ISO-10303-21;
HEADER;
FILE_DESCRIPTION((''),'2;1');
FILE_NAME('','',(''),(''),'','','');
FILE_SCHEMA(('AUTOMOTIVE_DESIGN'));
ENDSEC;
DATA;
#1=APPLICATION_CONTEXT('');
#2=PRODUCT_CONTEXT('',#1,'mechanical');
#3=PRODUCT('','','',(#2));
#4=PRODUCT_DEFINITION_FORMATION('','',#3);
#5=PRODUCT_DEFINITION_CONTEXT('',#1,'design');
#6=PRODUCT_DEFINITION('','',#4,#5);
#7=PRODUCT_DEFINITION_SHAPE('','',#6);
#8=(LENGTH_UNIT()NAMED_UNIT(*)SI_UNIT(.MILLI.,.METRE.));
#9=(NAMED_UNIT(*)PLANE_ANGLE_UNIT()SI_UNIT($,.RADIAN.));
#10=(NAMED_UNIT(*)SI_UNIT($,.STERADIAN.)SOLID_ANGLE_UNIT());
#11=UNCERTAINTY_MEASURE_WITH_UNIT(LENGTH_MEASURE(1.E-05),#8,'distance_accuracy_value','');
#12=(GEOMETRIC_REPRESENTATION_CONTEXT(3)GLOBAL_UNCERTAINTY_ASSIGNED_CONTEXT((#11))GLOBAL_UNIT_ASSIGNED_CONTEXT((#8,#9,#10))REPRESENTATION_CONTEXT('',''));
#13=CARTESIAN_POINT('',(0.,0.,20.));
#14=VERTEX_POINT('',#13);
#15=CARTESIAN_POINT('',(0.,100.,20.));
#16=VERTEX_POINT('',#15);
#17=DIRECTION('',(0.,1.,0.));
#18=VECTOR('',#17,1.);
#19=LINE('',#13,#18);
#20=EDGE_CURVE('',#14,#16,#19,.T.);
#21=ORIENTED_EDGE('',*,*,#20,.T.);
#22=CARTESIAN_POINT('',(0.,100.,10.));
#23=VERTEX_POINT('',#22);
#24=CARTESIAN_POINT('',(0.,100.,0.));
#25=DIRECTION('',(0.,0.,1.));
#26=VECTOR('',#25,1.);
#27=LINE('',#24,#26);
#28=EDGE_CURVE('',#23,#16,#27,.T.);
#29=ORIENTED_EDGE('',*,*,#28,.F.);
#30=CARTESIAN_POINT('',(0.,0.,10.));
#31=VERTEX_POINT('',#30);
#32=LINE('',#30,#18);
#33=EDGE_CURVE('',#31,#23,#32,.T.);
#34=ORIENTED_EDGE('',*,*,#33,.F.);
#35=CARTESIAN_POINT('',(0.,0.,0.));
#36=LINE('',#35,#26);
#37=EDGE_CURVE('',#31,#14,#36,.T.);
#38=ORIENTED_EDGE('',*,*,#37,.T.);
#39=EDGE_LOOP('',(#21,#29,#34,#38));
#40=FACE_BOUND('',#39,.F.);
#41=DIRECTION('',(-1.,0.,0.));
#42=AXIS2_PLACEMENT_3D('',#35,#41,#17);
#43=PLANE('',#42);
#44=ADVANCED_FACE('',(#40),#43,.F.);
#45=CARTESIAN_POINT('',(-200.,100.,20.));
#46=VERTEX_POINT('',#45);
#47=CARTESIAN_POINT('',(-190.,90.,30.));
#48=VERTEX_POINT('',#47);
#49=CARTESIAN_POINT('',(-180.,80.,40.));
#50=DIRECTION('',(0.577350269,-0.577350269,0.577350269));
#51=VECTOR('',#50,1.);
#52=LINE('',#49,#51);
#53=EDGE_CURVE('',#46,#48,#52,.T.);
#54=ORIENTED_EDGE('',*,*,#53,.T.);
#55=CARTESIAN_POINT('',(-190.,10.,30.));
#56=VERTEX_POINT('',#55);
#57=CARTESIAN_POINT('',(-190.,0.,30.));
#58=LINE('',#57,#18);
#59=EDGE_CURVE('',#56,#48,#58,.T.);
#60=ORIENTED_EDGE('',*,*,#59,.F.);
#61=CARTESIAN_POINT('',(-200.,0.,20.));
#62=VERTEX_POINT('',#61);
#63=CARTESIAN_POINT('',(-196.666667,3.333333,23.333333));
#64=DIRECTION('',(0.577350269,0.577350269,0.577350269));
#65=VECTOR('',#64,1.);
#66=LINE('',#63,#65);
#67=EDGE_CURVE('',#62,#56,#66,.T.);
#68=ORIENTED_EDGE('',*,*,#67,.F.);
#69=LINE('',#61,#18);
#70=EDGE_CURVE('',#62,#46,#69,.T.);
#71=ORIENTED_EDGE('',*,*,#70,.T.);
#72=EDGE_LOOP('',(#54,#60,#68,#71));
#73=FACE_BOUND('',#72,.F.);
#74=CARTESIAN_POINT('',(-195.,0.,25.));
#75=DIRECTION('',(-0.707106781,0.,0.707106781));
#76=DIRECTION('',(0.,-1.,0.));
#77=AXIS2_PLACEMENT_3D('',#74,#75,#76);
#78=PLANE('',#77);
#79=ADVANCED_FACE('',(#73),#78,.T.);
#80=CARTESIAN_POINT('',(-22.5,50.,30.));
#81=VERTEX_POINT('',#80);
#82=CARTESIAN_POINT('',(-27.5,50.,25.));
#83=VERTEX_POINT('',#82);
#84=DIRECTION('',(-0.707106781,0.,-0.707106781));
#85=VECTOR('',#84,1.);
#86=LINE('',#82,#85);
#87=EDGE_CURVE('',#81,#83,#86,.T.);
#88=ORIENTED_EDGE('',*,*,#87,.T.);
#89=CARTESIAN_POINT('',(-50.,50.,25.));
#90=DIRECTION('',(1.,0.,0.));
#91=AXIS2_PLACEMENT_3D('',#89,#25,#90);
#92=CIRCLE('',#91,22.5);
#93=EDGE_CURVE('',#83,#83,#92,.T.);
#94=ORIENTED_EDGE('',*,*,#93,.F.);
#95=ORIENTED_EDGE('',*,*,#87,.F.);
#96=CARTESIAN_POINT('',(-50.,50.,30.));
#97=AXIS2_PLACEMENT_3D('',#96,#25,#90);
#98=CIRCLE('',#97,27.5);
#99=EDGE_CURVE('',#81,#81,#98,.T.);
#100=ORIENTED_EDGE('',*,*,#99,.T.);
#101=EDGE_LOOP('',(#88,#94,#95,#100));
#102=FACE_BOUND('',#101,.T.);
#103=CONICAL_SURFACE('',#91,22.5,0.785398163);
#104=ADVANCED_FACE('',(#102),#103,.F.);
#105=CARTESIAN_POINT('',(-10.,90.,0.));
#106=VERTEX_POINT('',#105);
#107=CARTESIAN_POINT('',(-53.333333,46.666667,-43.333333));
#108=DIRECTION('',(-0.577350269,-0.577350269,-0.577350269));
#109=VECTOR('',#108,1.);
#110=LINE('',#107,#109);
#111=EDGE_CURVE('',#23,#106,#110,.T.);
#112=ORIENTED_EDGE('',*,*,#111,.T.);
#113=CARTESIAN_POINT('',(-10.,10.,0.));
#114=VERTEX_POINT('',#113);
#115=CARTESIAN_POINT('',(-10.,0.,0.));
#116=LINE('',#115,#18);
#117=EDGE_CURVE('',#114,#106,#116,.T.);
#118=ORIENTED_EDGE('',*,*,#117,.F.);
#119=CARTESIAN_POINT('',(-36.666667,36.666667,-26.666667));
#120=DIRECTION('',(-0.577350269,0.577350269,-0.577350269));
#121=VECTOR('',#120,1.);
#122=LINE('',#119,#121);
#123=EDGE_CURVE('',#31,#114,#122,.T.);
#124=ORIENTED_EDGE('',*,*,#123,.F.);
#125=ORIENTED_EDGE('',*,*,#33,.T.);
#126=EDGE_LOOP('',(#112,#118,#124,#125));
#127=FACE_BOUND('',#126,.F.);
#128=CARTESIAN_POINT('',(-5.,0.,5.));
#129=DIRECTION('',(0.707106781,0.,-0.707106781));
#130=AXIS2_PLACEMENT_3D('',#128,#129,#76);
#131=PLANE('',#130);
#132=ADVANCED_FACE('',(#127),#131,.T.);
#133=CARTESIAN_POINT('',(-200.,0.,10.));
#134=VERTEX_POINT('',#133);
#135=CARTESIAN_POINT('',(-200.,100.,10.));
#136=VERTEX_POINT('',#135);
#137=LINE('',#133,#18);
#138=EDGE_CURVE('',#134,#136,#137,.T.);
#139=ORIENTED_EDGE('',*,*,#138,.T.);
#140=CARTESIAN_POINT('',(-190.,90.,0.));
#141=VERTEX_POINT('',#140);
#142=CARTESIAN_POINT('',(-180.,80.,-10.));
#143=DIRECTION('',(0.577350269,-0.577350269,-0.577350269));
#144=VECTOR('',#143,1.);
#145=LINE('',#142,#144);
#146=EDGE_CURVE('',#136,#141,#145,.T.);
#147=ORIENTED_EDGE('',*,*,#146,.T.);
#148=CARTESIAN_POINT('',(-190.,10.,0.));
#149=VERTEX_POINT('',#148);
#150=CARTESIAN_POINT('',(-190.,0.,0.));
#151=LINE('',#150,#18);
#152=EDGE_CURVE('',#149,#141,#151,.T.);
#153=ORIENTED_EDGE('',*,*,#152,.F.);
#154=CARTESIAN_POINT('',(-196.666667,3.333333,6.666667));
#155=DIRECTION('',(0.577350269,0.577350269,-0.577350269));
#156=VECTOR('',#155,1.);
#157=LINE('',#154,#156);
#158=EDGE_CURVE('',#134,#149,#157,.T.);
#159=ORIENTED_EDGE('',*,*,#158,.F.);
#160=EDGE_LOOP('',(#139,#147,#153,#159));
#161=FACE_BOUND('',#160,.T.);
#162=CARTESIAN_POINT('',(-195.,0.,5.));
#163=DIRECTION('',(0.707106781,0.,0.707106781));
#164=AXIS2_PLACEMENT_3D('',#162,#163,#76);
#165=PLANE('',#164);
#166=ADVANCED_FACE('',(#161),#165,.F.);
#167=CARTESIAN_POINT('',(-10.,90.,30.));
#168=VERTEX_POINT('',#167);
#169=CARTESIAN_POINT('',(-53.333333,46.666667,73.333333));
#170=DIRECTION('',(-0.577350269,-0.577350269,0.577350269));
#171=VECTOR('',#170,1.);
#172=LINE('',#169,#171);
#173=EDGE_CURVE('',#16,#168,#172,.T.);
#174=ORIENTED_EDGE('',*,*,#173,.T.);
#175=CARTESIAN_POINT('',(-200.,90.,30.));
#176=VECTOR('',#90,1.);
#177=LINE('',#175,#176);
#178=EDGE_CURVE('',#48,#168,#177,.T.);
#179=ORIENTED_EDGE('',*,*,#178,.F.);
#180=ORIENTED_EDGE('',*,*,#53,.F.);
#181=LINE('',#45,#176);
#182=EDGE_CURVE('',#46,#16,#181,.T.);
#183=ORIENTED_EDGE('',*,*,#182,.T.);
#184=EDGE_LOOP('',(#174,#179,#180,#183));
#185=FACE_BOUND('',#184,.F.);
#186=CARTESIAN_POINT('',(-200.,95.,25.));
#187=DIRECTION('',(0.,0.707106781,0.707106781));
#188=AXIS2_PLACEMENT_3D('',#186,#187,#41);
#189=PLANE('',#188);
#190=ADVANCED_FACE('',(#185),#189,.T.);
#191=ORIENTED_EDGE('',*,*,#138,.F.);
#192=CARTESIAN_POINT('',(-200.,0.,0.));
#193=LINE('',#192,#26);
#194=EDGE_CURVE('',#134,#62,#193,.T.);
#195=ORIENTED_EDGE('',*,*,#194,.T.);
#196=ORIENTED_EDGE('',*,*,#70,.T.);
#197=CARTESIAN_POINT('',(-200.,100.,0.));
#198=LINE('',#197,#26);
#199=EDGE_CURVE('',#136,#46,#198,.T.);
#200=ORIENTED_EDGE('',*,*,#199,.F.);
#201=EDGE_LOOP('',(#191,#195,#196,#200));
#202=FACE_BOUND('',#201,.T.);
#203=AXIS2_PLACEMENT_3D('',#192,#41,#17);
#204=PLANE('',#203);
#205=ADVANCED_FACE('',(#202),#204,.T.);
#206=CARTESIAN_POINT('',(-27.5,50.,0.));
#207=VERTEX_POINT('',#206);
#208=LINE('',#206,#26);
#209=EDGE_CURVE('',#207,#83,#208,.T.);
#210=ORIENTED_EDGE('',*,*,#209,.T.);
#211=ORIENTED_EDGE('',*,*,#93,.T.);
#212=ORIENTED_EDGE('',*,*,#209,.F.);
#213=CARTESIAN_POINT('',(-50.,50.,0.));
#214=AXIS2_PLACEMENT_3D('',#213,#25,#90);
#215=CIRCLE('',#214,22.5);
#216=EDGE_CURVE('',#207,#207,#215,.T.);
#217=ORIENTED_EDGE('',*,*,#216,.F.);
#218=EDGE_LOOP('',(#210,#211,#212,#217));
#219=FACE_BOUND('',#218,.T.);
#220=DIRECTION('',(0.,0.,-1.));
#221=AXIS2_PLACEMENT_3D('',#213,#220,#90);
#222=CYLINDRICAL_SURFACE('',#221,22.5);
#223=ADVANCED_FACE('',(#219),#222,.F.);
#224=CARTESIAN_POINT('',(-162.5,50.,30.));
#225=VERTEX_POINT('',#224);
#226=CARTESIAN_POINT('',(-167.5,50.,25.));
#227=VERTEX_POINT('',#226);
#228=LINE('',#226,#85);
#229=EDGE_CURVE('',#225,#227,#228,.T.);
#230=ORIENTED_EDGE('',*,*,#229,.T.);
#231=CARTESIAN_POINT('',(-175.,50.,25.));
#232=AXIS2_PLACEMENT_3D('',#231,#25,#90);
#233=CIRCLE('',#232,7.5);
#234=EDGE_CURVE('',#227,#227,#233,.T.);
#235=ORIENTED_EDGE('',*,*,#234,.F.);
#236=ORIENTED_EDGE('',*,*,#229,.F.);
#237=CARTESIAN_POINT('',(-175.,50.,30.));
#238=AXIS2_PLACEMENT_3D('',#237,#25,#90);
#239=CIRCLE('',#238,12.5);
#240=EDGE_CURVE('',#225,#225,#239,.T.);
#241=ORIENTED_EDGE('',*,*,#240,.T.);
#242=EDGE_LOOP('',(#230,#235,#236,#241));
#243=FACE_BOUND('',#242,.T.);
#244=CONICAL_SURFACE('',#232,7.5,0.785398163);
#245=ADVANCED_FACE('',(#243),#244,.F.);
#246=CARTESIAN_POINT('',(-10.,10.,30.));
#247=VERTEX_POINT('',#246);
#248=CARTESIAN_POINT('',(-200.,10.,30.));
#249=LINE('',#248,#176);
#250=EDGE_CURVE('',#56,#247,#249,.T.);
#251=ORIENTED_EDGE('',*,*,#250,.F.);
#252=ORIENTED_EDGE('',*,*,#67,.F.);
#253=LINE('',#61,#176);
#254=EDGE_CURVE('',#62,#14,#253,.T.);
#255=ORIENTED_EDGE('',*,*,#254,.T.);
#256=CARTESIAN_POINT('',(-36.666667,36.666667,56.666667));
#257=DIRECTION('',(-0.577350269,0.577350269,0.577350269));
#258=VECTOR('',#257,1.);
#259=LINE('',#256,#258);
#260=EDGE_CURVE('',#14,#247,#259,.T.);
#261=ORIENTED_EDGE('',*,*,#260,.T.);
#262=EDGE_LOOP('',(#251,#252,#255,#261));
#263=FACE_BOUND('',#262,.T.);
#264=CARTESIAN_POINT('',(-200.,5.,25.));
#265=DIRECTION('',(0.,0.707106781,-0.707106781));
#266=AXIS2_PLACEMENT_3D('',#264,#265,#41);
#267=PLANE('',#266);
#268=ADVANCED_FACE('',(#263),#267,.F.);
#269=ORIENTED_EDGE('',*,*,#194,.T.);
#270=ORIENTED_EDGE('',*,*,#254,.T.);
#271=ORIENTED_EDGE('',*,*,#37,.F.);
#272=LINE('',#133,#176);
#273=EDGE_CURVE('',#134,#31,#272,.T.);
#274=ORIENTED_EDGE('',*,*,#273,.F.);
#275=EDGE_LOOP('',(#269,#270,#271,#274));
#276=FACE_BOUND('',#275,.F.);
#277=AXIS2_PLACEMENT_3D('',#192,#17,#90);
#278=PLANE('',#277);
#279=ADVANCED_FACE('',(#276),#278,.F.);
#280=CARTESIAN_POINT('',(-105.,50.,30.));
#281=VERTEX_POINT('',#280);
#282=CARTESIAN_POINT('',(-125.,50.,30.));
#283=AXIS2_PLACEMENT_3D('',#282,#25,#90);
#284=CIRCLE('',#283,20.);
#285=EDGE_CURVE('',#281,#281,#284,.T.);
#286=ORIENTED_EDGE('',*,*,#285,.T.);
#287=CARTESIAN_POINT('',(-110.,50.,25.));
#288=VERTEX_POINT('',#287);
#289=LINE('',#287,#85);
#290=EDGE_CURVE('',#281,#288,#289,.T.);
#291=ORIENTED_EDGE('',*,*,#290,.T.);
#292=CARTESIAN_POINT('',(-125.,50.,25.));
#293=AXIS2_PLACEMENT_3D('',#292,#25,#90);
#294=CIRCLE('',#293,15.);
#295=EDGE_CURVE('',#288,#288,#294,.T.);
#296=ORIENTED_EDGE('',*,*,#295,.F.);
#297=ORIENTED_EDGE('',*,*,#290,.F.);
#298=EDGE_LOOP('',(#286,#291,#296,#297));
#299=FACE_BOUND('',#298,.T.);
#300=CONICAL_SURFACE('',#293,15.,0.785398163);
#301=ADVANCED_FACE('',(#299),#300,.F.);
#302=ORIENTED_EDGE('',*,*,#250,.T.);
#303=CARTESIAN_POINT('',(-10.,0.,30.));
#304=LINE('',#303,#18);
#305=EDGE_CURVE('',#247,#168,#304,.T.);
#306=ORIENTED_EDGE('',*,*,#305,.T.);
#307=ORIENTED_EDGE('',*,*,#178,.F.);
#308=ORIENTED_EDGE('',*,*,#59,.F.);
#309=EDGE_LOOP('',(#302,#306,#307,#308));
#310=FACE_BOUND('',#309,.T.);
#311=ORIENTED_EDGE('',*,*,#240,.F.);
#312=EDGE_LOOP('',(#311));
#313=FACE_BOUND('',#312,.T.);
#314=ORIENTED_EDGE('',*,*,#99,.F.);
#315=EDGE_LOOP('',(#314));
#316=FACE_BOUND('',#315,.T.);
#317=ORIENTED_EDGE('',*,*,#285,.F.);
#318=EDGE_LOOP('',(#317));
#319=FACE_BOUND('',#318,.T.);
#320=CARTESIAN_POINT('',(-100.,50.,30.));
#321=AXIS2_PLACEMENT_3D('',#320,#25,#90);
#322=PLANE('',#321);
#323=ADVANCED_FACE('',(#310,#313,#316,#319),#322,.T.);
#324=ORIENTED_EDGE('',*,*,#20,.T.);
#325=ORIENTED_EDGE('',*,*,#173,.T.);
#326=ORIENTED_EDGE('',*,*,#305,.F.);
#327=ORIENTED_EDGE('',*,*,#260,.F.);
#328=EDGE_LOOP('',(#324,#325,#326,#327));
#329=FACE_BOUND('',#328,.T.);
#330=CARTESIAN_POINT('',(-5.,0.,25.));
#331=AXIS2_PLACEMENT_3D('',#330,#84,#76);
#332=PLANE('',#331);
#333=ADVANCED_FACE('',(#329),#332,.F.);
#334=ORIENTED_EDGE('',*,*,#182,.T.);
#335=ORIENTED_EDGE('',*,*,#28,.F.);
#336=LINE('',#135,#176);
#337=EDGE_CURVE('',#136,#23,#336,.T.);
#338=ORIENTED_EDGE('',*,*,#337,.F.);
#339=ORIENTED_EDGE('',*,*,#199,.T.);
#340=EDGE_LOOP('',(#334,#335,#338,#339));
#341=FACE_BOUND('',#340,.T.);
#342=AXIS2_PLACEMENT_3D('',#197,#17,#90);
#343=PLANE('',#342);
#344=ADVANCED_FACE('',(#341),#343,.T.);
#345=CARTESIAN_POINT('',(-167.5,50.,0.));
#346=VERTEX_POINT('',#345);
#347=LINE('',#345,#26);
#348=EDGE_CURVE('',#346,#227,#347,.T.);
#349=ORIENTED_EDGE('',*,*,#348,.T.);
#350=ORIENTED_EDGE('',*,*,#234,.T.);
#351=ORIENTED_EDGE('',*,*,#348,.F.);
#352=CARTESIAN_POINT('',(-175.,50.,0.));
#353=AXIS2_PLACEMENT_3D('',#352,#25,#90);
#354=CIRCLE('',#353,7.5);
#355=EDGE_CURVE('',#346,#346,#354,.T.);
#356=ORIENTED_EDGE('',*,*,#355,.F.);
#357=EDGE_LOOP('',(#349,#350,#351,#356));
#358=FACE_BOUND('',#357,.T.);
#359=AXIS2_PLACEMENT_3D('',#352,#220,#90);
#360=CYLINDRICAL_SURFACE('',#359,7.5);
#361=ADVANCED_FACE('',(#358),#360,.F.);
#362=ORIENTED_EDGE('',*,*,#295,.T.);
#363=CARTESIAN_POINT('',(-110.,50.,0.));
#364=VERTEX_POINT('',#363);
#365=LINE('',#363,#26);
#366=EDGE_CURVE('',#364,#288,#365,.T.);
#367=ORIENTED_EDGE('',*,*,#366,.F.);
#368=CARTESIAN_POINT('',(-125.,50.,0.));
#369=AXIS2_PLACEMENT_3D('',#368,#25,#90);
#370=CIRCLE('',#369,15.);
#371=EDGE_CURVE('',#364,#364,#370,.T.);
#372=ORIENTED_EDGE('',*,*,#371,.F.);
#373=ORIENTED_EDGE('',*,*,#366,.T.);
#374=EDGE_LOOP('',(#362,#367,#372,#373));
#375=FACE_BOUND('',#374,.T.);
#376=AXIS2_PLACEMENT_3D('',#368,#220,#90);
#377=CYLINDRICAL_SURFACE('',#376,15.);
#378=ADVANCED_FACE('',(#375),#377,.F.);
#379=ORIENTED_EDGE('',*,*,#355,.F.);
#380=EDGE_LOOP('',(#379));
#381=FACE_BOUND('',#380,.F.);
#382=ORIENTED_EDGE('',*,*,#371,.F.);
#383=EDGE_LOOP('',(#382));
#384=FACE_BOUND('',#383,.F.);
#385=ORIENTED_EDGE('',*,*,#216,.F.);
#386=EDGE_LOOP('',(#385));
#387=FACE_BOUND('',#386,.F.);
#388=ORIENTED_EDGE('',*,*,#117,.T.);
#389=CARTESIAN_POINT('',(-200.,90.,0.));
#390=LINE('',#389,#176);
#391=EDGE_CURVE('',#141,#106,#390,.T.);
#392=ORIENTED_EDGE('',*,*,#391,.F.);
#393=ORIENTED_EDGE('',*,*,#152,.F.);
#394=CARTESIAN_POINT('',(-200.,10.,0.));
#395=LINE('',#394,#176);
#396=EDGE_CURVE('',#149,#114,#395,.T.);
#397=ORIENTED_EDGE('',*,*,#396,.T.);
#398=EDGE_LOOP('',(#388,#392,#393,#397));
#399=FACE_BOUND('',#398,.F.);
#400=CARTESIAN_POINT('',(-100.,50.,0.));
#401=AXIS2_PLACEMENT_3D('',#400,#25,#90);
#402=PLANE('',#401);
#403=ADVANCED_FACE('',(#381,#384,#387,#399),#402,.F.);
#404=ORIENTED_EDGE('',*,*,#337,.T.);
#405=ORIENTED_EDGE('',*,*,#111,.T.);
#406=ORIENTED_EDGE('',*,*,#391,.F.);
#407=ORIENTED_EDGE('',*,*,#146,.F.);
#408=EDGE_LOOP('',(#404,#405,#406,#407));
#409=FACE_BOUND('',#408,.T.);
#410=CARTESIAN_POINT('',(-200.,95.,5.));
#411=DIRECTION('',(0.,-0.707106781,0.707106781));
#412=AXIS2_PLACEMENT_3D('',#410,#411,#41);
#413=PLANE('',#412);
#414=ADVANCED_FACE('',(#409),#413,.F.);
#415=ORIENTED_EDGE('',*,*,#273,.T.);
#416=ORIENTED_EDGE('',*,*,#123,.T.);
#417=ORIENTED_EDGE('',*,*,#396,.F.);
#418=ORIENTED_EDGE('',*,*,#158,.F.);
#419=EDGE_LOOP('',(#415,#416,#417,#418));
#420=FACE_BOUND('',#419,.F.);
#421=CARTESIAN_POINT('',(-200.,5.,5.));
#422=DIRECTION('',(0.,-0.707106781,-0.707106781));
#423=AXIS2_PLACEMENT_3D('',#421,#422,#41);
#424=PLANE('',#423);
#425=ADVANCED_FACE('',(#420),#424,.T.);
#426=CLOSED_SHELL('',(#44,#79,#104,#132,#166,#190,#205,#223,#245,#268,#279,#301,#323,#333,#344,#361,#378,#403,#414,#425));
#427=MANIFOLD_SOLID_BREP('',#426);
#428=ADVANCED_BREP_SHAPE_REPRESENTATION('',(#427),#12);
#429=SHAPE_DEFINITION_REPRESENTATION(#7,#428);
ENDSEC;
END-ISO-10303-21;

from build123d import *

# Parameters (mm, degrees)
F0_W     = 200
F0_H     = 100
F0_R     = 7.5
F0_R_2   = 15
F0_R_3   = 22.5
F1_DEPTH = 30
F2_SIZE  = 10
F3_SIZE  = 5


with BuildPart() as f1:
    # F0 (on Top) → F1 (new body)
    with BuildSketch(Plane.XY):
        with Locations((-100, 50)):
            Rectangle(F0_W, F0_H)
        with Locations((-175, 50)):
            Circle(F0_R, mode=Mode.SUBTRACT)
        with Locations((-125, 50)):
            Circle(F0_R_2, mode=Mode.SUBTRACT)
        with Locations((-50, 50)):
            Circle(F0_R_3, mode=Mode.SUBTRACT)
    extrude(amount=F1_DEPTH)

    # F2
    f2_edges = [f1.edges().sort_by_distance(p)[0] for p in [
        (-200, 50, 30),
        (-200, 50, 0),
        (-100, 100, 0),
        (-100, 100, 30),
        (-100, 0, 0),
        (-100, 0, 30),
        (0, 50, 30),
        (0, 50, 0),
    ]]
    chamfer(f2_edges, length=F2_SIZE)

    # F3
    f3_edges = [f1.edges().sort_by_distance(p)[0] for p in [
        (-140, 50, 30),
        (-182.5, 50, 30),
        (-72.5, 50, 30),
    ]]
    chamfer(f3_edges, length=F3_SIZE)


solid = f1.part
